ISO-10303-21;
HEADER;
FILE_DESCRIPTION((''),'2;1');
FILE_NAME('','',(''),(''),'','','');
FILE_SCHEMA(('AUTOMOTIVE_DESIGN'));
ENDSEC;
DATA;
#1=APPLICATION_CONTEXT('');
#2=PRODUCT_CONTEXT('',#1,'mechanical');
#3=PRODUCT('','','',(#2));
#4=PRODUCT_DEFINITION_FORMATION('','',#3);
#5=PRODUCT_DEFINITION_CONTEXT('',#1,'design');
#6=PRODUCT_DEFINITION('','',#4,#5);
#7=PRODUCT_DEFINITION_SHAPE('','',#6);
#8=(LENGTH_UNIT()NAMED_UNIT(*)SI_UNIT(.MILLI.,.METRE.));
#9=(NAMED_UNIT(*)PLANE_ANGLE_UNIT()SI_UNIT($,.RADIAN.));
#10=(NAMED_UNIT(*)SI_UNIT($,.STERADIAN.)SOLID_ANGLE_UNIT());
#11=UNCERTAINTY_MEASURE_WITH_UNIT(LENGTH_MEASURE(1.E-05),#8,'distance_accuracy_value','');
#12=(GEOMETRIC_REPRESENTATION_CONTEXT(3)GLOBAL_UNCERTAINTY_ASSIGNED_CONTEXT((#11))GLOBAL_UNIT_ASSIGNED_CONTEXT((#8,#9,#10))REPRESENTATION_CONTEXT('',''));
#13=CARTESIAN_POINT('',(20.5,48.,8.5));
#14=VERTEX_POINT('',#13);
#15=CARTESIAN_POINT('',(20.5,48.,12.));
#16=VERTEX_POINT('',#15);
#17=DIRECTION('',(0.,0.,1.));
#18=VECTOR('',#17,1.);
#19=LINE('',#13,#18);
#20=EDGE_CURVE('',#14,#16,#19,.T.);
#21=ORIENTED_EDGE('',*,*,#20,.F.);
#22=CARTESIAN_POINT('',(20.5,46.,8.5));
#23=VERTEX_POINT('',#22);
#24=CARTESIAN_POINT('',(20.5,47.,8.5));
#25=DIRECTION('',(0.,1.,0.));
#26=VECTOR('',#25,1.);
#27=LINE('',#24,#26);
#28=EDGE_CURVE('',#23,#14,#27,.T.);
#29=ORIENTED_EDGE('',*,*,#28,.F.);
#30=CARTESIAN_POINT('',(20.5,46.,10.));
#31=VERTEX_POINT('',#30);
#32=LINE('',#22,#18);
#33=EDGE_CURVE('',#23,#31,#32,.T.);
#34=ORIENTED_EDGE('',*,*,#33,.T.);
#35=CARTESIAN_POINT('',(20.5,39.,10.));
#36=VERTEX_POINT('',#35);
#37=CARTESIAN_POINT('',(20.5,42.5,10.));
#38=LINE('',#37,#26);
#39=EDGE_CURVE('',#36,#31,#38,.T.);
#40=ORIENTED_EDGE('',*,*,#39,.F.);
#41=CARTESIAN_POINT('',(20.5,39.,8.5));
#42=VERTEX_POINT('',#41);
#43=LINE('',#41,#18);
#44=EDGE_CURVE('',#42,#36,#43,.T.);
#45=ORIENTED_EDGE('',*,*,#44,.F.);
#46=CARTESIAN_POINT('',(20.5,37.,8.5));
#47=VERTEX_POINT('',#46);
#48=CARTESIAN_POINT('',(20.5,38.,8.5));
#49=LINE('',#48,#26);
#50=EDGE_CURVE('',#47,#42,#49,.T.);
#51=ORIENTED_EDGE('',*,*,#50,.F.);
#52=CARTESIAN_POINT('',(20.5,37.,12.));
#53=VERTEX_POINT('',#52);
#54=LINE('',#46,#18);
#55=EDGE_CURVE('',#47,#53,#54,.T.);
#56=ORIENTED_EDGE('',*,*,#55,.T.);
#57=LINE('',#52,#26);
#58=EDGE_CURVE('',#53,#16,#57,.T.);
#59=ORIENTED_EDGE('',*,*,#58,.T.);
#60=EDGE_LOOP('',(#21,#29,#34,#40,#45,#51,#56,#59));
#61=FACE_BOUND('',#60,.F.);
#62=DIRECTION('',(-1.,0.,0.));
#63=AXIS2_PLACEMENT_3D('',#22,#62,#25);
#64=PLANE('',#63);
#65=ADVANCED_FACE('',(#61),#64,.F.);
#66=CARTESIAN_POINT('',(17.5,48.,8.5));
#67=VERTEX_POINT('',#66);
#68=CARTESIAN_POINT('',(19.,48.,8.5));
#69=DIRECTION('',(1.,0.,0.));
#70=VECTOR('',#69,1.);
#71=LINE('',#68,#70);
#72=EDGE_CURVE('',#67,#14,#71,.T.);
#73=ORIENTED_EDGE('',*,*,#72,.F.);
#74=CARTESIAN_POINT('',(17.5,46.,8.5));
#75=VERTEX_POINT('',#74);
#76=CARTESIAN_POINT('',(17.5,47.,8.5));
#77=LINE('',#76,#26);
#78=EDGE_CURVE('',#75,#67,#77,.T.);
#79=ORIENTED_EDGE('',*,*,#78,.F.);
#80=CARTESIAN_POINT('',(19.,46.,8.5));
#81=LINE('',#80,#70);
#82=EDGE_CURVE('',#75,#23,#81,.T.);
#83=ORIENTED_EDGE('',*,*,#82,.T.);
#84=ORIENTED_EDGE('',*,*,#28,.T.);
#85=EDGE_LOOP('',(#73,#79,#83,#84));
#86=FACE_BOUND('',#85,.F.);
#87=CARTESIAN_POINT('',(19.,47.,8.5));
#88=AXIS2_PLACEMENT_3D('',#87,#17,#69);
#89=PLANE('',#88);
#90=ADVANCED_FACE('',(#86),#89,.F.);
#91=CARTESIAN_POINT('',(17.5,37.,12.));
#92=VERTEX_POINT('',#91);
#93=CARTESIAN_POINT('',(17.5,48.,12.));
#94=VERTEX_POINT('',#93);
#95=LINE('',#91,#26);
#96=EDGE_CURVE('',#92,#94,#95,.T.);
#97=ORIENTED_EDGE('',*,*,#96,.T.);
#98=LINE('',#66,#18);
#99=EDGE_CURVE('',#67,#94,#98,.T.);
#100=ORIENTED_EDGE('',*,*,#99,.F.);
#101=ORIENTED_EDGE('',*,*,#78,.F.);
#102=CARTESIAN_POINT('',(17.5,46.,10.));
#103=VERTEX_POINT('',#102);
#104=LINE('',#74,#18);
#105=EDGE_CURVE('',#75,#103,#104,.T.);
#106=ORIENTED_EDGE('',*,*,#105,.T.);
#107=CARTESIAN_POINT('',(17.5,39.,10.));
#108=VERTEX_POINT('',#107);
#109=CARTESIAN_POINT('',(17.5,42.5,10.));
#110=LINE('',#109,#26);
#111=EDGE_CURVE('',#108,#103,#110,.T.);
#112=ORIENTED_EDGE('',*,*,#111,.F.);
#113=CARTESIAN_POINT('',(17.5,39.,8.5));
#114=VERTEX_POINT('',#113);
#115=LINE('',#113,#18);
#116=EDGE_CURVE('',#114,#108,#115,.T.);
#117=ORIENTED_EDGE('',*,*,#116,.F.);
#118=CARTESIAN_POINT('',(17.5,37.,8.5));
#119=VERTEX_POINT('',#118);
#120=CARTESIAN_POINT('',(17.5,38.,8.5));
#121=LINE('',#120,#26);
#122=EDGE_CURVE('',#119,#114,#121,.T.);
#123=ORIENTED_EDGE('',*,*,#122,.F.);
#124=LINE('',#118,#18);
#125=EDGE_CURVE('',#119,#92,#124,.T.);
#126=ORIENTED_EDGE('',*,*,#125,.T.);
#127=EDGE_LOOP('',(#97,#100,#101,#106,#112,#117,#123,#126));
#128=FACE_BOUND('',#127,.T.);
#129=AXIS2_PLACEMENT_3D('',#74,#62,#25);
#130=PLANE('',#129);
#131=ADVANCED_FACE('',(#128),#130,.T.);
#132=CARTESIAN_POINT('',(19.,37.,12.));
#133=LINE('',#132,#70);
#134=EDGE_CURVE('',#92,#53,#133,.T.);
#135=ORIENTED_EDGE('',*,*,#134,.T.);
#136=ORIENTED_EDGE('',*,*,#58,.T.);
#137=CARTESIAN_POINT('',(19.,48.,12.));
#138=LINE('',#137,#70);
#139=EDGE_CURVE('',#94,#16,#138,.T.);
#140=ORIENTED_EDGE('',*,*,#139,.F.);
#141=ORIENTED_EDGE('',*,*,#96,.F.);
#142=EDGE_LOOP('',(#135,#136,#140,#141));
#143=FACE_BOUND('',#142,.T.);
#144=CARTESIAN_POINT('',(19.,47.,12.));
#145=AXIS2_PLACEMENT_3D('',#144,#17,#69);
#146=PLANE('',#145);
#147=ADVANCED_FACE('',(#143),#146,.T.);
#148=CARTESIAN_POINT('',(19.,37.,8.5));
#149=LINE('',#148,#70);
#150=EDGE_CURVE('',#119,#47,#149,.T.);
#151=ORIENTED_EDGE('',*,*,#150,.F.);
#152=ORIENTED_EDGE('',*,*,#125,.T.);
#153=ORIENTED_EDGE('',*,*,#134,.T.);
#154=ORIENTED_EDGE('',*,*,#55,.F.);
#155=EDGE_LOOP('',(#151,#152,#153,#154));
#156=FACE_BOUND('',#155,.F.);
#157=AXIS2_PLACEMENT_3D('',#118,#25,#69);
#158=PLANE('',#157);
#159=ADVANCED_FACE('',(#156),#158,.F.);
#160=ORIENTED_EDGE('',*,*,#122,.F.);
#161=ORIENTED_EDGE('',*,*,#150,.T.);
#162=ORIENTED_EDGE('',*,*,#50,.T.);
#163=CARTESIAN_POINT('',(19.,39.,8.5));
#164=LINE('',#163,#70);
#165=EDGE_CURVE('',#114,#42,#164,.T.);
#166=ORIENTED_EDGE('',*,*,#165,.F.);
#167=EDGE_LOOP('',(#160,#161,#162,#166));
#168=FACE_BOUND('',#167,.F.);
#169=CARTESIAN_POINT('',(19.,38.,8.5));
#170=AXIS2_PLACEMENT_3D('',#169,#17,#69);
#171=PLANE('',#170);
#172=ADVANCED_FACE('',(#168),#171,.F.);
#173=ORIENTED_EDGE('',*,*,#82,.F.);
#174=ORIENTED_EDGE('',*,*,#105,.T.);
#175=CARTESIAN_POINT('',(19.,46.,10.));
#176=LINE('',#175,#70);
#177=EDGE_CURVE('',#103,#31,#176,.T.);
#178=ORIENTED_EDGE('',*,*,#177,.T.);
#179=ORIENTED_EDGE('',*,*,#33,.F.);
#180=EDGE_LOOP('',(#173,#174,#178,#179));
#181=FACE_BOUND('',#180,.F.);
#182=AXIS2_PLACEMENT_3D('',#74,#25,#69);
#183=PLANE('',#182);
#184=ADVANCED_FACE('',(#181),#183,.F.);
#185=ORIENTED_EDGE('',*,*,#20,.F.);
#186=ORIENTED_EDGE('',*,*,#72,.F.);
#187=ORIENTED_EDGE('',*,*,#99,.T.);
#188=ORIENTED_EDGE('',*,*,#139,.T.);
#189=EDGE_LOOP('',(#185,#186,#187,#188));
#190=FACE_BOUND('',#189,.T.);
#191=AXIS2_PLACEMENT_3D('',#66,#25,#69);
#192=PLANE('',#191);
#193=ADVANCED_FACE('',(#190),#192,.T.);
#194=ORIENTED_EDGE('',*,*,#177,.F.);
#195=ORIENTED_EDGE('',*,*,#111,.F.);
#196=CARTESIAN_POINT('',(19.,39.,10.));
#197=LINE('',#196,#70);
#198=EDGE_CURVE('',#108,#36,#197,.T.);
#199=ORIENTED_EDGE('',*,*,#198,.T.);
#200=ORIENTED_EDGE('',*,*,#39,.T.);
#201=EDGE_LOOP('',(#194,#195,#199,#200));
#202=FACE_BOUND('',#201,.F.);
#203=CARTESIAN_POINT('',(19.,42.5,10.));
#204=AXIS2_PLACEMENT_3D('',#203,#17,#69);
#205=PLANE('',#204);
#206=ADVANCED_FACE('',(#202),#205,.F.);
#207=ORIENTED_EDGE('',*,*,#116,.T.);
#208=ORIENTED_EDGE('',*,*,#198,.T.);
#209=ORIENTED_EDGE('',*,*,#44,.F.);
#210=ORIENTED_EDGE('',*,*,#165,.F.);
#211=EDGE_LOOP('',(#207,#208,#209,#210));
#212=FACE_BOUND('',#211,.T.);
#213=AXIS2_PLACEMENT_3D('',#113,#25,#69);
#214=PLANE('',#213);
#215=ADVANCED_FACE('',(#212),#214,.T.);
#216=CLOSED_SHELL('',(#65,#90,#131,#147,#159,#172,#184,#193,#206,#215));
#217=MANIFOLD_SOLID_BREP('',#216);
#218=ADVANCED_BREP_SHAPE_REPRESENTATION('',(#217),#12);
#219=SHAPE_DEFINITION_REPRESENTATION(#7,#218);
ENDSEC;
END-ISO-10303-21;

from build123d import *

# Parameters (mm, degrees)
BOX025_W     = 3
BOX025_H     = 7
BOX025_DEPTH = 2
BOX027_W     = 3
BOX027_H     = 2
BOX027_DEPTH = 3.5
BOX026_W     = 3
BOX026_H     = 2
BOX026_DEPTH = 3.5


with BuildPart() as ziptie001:
    # Box025 → Box025 (new body)
    with BuildSketch(Plane(origin=(17.5, 39, 10), x_dir=(1, 0, 0), z_dir=(0, 0, 1))):
        with Locations((1.5, 3.5)):
            Rectangle(BOX025_W, BOX025_H)
    extrude(amount=BOX025_DEPTH)


with BuildPart() as ziptie003:
    # Box027 → Box027 (new body)
    with BuildSketch(Plane(origin=(17.5, 46, 8.5), x_dir=(1, 0, 0), z_dir=(0, 0, 1))):
        with Locations((1.5, 1)):
            Rectangle(BOX027_W, BOX027_H)
    extrude(amount=BOX027_DEPTH)


with BuildPart() as battery_ziptie_ring:
    # Box026 → Box026 (new body)
    with BuildSketch(Plane(origin=(17.5, 37, 8.5), x_dir=(1, 0, 0), z_dir=(0, 0, 1))):
        with Locations((1.5, 1)):
            Rectangle(BOX026_W, BOX026_H)
    extrude(amount=BOX026_DEPTH)

    # Fusion027: union Ziptie001, Ziptie003
    add(ziptie001.part)
    add(ziptie003.part)


solid = battery_ziptie_ring.part
